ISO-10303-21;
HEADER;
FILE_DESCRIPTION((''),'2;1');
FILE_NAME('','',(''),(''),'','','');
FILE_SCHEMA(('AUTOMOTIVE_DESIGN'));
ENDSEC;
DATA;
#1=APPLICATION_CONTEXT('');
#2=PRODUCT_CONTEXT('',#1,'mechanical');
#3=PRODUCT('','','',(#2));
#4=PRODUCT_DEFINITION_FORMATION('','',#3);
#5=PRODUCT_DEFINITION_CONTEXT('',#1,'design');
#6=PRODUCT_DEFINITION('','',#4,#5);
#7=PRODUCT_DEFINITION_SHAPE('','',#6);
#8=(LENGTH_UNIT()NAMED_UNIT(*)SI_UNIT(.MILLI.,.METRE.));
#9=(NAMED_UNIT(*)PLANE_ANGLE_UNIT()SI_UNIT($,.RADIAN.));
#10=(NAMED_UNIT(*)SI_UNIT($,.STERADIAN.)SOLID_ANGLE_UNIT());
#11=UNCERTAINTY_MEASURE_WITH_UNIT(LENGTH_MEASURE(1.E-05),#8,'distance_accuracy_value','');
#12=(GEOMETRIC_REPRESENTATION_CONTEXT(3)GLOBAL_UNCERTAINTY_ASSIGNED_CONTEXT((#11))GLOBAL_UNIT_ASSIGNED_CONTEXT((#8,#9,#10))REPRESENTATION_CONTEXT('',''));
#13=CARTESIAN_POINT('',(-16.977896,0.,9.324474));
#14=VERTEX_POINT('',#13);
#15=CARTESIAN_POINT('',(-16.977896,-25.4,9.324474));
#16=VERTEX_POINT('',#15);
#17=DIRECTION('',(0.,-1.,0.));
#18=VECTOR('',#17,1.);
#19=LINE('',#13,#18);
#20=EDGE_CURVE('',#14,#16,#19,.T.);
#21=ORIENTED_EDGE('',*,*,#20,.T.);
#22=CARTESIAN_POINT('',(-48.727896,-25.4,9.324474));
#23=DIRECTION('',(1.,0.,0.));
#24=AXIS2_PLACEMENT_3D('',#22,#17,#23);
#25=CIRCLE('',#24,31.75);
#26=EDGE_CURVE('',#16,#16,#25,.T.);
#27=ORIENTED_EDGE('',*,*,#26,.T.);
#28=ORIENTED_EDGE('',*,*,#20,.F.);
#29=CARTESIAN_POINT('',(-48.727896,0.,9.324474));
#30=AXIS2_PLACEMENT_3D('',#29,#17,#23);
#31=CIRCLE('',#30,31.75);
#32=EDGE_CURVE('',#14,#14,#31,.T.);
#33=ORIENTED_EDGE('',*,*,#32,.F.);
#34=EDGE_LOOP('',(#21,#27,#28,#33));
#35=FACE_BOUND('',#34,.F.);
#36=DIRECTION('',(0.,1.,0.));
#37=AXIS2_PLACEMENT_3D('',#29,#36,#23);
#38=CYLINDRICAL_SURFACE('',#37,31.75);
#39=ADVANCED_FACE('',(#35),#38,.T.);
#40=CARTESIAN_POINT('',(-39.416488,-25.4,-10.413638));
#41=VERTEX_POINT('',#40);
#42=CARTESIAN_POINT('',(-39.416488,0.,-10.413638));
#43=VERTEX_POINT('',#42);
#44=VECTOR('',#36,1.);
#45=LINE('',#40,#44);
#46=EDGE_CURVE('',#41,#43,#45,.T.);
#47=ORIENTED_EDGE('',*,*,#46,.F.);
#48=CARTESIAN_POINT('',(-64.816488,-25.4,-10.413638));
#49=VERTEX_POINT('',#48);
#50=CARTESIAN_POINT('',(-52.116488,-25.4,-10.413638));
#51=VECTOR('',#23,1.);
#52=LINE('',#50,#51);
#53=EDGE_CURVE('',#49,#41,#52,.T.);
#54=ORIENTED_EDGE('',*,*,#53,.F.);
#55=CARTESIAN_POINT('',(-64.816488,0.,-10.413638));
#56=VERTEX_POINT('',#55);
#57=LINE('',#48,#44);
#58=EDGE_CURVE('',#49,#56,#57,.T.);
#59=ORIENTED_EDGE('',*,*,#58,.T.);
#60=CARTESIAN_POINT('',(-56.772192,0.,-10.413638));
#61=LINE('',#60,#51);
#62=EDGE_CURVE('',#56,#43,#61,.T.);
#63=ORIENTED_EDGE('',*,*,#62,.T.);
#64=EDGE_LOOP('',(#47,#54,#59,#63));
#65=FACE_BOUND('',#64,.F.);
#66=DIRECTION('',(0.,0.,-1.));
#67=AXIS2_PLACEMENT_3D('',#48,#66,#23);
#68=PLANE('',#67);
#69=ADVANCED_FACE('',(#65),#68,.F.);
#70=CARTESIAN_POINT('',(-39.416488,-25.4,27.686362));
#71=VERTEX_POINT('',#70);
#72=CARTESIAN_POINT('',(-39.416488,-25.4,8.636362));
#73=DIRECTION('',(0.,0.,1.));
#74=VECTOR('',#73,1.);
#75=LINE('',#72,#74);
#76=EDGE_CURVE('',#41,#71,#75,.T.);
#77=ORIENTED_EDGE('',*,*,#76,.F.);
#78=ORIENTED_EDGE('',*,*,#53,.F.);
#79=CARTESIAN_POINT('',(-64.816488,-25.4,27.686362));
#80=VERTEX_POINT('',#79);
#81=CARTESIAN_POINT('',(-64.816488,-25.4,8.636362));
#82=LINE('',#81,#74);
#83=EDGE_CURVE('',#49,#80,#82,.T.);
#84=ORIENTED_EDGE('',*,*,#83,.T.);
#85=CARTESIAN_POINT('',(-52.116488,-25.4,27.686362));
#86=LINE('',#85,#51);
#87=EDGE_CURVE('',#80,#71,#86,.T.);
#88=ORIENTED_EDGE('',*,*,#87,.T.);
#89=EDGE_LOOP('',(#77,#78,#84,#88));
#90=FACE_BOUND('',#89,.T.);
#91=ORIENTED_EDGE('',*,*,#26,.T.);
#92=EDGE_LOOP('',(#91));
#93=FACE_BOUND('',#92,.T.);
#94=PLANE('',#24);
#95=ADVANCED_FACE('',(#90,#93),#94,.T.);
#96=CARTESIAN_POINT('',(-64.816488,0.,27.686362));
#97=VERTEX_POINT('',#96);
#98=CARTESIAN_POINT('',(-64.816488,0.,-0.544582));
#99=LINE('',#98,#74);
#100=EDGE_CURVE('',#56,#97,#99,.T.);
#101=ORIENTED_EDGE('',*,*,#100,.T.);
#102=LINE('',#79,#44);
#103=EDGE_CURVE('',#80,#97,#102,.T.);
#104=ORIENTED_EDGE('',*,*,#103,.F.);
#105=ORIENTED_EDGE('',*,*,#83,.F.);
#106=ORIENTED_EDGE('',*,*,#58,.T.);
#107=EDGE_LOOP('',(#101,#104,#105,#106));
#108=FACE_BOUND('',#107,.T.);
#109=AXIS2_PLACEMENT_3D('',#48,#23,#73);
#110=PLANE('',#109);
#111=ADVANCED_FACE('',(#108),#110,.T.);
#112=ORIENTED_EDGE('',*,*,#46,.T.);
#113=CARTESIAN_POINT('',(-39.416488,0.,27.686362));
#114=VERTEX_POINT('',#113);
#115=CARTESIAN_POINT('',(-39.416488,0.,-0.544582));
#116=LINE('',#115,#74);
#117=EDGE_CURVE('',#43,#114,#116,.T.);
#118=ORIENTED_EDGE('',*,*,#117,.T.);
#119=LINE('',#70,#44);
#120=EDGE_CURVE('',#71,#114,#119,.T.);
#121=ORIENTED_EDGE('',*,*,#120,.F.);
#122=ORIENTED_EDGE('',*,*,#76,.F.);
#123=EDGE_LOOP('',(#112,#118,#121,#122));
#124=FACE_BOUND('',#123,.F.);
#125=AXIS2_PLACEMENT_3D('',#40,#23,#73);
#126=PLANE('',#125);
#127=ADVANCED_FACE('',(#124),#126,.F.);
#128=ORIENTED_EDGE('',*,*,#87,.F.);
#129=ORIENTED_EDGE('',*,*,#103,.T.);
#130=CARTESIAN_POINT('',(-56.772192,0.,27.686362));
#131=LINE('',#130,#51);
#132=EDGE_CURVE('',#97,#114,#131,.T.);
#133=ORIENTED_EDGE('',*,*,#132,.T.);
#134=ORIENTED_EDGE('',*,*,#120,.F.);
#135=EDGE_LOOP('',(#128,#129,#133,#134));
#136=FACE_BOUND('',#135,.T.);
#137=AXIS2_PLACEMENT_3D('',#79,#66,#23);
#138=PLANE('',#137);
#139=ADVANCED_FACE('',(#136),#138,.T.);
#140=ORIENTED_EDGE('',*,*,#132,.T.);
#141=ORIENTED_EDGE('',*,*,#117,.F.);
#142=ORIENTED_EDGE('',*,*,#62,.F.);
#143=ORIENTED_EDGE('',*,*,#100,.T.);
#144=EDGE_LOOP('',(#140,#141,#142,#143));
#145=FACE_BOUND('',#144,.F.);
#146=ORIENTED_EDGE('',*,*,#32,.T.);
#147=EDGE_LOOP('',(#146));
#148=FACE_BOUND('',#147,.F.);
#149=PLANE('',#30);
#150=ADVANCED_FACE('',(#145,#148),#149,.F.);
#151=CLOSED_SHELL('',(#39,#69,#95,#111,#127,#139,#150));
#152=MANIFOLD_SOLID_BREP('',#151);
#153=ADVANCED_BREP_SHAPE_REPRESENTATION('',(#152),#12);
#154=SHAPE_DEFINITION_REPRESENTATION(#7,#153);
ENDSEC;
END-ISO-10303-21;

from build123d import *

# Parameters (mm, degrees)
F0_R     = 31.75
F1_DEPTH = 25.4
F2_R     = 31.75
F2_W     = 25.4
F2_H     = 38.1
F3_DEPTH = 31.242


with BuildPart() as f1:
    # F0 (on Front) → F1 (new body)
    with BuildSketch(Plane.XZ):
        with Locations((-48.727896, 9.324474)):
            Circle(F0_R)
    extrude(amount=F1_DEPTH)

    # F2 (on face) → F3 (intersect)
    with BuildSketch(Plane.XZ.offset(25.4)):
        with Locations((-48.727896, 9.324474)):
            Circle(F2_R)
        with Locations((-52.116488, 8.636362)):
            Rectangle(F2_W, F2_H, mode=Mode.SUBTRACT)
    extrude(amount=-F3_DEPTH, mode=Mode.INTERSECT)


solid = f1.part
